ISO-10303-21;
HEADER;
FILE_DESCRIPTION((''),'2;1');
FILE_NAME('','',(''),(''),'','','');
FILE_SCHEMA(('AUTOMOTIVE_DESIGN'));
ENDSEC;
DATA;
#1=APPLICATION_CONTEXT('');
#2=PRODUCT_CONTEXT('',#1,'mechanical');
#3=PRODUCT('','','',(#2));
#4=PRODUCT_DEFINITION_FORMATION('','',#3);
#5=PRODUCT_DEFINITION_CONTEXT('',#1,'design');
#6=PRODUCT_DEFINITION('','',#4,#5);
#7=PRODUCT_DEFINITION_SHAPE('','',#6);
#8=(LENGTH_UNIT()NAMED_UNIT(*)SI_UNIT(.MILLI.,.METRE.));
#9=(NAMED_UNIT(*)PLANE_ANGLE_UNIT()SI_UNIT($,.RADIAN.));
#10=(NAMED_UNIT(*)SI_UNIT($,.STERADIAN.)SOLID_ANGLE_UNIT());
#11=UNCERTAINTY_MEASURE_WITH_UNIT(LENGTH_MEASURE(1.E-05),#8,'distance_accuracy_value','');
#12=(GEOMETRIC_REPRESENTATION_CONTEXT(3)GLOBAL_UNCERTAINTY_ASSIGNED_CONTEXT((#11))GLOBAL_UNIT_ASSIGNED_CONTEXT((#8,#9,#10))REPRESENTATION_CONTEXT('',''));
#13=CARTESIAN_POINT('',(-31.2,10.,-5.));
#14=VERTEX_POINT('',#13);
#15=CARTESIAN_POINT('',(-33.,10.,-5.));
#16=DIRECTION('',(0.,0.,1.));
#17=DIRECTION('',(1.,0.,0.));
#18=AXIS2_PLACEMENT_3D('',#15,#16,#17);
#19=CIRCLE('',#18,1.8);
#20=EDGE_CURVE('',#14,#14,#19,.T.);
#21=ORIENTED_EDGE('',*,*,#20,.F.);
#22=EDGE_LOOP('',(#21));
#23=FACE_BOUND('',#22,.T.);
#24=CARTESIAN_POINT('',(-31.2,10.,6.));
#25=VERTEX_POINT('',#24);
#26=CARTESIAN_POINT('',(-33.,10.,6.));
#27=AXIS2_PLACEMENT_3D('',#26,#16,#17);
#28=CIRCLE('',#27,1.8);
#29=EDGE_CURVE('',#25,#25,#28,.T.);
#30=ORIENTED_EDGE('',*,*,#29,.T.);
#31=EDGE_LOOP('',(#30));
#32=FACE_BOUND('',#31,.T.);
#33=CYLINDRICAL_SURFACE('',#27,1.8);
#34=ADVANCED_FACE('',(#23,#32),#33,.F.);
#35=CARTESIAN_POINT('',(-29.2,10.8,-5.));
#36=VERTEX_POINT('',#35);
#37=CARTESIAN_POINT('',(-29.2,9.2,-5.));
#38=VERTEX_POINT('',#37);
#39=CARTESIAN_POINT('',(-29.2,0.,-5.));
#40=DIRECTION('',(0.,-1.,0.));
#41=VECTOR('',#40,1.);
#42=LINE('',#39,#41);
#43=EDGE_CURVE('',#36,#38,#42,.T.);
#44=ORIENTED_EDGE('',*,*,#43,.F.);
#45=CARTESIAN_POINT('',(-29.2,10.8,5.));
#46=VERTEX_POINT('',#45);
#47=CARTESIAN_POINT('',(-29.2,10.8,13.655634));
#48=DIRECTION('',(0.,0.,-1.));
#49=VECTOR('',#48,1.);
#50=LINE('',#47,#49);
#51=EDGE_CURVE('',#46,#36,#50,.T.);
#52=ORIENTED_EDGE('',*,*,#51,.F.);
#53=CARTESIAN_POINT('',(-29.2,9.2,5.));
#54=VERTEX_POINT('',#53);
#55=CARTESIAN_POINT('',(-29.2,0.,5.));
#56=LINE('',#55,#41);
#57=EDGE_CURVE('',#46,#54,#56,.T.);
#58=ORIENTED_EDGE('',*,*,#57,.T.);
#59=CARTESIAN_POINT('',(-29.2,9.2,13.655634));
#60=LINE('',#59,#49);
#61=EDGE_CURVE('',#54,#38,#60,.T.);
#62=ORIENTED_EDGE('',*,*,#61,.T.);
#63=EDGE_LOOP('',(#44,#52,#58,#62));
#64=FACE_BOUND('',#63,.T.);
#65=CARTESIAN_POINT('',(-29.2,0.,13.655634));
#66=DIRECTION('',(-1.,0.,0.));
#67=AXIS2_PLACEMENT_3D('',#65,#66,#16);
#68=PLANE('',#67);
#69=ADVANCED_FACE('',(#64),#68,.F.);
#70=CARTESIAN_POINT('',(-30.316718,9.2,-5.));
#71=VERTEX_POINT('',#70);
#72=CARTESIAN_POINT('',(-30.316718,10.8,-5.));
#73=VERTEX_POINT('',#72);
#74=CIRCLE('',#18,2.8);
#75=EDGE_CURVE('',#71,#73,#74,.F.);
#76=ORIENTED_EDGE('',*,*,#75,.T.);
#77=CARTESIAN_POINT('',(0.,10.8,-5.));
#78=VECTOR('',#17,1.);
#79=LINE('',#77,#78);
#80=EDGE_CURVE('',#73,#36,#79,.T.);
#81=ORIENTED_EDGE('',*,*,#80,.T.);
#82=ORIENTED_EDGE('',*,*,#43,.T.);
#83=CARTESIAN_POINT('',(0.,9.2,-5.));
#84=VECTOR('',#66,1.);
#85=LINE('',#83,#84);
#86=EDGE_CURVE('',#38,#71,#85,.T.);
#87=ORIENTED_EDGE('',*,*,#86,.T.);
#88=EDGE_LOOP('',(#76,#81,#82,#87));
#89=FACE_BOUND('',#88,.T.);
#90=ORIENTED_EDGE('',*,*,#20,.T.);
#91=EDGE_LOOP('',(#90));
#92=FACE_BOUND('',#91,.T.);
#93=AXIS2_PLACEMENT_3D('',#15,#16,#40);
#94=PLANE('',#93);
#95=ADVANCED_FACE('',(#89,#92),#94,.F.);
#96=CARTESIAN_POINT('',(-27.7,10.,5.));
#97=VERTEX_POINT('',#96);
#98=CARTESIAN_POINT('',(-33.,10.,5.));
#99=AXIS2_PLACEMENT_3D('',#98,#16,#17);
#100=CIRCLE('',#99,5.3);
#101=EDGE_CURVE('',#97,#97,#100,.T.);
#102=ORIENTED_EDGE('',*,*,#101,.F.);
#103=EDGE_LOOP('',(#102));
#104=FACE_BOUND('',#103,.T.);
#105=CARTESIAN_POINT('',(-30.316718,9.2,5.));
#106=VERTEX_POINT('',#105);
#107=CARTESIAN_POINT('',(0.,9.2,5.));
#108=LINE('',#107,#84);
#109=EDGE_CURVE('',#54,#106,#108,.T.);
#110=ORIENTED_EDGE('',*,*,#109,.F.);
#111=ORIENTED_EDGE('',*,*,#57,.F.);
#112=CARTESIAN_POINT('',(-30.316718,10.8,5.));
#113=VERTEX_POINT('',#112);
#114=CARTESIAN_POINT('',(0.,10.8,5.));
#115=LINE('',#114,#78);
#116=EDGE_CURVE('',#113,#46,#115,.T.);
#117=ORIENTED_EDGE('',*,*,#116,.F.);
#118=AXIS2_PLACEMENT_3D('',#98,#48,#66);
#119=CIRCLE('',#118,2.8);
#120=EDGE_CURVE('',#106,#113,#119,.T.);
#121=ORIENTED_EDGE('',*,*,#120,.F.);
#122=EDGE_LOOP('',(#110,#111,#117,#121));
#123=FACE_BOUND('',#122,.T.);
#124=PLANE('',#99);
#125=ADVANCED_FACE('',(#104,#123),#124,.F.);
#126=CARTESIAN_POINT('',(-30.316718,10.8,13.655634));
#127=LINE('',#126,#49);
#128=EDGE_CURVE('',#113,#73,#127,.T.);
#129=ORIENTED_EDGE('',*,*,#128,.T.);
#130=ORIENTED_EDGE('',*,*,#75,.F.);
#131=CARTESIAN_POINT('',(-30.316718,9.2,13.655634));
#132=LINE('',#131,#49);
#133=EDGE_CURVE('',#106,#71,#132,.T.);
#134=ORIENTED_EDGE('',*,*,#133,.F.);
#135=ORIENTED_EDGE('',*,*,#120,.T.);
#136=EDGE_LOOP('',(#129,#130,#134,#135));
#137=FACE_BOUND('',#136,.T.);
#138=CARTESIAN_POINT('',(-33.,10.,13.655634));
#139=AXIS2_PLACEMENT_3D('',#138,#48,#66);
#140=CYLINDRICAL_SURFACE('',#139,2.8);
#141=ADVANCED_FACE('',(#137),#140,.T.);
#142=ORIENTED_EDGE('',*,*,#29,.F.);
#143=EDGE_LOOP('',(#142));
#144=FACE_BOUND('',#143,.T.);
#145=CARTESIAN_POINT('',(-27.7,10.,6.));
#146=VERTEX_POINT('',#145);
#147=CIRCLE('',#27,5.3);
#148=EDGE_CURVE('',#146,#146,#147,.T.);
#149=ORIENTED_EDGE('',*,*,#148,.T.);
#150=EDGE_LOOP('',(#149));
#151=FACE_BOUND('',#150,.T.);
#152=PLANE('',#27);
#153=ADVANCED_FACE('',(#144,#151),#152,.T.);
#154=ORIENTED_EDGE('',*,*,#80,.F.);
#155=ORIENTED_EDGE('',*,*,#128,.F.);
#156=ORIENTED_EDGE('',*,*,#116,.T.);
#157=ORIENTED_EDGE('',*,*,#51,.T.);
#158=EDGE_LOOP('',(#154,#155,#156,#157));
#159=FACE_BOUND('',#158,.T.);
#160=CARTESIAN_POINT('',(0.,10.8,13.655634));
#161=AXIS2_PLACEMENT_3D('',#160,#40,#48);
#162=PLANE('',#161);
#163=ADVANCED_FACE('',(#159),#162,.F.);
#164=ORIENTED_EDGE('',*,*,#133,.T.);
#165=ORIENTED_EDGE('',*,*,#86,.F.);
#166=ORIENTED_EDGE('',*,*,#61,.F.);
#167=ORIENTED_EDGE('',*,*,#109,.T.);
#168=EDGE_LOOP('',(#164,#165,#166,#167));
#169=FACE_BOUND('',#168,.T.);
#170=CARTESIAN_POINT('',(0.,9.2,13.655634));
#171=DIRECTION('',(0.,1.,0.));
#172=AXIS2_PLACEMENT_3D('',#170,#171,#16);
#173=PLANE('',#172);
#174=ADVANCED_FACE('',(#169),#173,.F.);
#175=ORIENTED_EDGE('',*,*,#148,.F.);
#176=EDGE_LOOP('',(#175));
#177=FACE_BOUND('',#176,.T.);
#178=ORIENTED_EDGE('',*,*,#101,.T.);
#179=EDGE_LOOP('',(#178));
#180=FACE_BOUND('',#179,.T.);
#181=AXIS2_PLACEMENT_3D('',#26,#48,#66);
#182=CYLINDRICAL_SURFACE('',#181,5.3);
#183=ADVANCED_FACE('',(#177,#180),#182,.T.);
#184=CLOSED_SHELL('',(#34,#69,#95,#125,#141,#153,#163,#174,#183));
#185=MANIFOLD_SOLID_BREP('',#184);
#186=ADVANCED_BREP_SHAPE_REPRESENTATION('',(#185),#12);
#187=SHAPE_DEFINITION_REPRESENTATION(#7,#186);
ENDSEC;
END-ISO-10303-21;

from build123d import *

# Parameters (mm, degrees)
BOSS_EXTRUDE1_DEPTH      = 5
BOSS_EXTRUDE1_DEPTH_BACK = 5
SKETCH1_R                = 1.75
SKETCH4_R                = 5.3
SKETCH4_R_2              = 1.75
BOSS_EXTRUDE2_DEPTH      = 1
M3_CLEARANCE_HOLE1_D     = 3.6


with BuildPart() as part:
    # Sketch1 → Boss-Extrude1 (new, two sides: drawn at the far end of the back side and taken through both)
    with BuildSketch(Plane.XY.offset(-BOSS_EXTRUDE1_DEPTH_BACK)):
        with BuildLine():
            Line((-29.2, 10.8), (-30.316718427, 10.8))
            ThreePointArc((-30.316718427, 10.8), (-35.8, 10), (-30.316718427, 9.2))
            Line((-30.316718427, 9.2), (-29.2, 9.2))
            Line((-29.2, 9.2), (-29.2, 10.8))
        make_face()
        with Locations(Location((-33, 10, 0), (0, 0, 180))):
            Circle(SKETCH1_R, mode=Mode.SUBTRACT)
    extrude(amount=BOSS_EXTRUDE1_DEPTH + BOSS_EXTRUDE1_DEPTH_BACK)

    # Sketch4 → Boss-Extrude2 (add)
    with BuildSketch(Plane.XY.offset(5)):
        with Locations((-33, 10)):
            Circle(SKETCH4_R)
        with Locations((-33, 10)):
            Circle(SKETCH4_R_2, mode=Mode.SUBTRACT)
    extrude(amount=BOSS_EXTRUDE2_DEPTH)

    # M3 Clearance Hole1 (through all)
    with Locations(Plane.XY.offset(6)):
        with Locations((-33, 10)):
            Hole(M3_CLEARANCE_HOLE1_D / 2)


solid = part.part
